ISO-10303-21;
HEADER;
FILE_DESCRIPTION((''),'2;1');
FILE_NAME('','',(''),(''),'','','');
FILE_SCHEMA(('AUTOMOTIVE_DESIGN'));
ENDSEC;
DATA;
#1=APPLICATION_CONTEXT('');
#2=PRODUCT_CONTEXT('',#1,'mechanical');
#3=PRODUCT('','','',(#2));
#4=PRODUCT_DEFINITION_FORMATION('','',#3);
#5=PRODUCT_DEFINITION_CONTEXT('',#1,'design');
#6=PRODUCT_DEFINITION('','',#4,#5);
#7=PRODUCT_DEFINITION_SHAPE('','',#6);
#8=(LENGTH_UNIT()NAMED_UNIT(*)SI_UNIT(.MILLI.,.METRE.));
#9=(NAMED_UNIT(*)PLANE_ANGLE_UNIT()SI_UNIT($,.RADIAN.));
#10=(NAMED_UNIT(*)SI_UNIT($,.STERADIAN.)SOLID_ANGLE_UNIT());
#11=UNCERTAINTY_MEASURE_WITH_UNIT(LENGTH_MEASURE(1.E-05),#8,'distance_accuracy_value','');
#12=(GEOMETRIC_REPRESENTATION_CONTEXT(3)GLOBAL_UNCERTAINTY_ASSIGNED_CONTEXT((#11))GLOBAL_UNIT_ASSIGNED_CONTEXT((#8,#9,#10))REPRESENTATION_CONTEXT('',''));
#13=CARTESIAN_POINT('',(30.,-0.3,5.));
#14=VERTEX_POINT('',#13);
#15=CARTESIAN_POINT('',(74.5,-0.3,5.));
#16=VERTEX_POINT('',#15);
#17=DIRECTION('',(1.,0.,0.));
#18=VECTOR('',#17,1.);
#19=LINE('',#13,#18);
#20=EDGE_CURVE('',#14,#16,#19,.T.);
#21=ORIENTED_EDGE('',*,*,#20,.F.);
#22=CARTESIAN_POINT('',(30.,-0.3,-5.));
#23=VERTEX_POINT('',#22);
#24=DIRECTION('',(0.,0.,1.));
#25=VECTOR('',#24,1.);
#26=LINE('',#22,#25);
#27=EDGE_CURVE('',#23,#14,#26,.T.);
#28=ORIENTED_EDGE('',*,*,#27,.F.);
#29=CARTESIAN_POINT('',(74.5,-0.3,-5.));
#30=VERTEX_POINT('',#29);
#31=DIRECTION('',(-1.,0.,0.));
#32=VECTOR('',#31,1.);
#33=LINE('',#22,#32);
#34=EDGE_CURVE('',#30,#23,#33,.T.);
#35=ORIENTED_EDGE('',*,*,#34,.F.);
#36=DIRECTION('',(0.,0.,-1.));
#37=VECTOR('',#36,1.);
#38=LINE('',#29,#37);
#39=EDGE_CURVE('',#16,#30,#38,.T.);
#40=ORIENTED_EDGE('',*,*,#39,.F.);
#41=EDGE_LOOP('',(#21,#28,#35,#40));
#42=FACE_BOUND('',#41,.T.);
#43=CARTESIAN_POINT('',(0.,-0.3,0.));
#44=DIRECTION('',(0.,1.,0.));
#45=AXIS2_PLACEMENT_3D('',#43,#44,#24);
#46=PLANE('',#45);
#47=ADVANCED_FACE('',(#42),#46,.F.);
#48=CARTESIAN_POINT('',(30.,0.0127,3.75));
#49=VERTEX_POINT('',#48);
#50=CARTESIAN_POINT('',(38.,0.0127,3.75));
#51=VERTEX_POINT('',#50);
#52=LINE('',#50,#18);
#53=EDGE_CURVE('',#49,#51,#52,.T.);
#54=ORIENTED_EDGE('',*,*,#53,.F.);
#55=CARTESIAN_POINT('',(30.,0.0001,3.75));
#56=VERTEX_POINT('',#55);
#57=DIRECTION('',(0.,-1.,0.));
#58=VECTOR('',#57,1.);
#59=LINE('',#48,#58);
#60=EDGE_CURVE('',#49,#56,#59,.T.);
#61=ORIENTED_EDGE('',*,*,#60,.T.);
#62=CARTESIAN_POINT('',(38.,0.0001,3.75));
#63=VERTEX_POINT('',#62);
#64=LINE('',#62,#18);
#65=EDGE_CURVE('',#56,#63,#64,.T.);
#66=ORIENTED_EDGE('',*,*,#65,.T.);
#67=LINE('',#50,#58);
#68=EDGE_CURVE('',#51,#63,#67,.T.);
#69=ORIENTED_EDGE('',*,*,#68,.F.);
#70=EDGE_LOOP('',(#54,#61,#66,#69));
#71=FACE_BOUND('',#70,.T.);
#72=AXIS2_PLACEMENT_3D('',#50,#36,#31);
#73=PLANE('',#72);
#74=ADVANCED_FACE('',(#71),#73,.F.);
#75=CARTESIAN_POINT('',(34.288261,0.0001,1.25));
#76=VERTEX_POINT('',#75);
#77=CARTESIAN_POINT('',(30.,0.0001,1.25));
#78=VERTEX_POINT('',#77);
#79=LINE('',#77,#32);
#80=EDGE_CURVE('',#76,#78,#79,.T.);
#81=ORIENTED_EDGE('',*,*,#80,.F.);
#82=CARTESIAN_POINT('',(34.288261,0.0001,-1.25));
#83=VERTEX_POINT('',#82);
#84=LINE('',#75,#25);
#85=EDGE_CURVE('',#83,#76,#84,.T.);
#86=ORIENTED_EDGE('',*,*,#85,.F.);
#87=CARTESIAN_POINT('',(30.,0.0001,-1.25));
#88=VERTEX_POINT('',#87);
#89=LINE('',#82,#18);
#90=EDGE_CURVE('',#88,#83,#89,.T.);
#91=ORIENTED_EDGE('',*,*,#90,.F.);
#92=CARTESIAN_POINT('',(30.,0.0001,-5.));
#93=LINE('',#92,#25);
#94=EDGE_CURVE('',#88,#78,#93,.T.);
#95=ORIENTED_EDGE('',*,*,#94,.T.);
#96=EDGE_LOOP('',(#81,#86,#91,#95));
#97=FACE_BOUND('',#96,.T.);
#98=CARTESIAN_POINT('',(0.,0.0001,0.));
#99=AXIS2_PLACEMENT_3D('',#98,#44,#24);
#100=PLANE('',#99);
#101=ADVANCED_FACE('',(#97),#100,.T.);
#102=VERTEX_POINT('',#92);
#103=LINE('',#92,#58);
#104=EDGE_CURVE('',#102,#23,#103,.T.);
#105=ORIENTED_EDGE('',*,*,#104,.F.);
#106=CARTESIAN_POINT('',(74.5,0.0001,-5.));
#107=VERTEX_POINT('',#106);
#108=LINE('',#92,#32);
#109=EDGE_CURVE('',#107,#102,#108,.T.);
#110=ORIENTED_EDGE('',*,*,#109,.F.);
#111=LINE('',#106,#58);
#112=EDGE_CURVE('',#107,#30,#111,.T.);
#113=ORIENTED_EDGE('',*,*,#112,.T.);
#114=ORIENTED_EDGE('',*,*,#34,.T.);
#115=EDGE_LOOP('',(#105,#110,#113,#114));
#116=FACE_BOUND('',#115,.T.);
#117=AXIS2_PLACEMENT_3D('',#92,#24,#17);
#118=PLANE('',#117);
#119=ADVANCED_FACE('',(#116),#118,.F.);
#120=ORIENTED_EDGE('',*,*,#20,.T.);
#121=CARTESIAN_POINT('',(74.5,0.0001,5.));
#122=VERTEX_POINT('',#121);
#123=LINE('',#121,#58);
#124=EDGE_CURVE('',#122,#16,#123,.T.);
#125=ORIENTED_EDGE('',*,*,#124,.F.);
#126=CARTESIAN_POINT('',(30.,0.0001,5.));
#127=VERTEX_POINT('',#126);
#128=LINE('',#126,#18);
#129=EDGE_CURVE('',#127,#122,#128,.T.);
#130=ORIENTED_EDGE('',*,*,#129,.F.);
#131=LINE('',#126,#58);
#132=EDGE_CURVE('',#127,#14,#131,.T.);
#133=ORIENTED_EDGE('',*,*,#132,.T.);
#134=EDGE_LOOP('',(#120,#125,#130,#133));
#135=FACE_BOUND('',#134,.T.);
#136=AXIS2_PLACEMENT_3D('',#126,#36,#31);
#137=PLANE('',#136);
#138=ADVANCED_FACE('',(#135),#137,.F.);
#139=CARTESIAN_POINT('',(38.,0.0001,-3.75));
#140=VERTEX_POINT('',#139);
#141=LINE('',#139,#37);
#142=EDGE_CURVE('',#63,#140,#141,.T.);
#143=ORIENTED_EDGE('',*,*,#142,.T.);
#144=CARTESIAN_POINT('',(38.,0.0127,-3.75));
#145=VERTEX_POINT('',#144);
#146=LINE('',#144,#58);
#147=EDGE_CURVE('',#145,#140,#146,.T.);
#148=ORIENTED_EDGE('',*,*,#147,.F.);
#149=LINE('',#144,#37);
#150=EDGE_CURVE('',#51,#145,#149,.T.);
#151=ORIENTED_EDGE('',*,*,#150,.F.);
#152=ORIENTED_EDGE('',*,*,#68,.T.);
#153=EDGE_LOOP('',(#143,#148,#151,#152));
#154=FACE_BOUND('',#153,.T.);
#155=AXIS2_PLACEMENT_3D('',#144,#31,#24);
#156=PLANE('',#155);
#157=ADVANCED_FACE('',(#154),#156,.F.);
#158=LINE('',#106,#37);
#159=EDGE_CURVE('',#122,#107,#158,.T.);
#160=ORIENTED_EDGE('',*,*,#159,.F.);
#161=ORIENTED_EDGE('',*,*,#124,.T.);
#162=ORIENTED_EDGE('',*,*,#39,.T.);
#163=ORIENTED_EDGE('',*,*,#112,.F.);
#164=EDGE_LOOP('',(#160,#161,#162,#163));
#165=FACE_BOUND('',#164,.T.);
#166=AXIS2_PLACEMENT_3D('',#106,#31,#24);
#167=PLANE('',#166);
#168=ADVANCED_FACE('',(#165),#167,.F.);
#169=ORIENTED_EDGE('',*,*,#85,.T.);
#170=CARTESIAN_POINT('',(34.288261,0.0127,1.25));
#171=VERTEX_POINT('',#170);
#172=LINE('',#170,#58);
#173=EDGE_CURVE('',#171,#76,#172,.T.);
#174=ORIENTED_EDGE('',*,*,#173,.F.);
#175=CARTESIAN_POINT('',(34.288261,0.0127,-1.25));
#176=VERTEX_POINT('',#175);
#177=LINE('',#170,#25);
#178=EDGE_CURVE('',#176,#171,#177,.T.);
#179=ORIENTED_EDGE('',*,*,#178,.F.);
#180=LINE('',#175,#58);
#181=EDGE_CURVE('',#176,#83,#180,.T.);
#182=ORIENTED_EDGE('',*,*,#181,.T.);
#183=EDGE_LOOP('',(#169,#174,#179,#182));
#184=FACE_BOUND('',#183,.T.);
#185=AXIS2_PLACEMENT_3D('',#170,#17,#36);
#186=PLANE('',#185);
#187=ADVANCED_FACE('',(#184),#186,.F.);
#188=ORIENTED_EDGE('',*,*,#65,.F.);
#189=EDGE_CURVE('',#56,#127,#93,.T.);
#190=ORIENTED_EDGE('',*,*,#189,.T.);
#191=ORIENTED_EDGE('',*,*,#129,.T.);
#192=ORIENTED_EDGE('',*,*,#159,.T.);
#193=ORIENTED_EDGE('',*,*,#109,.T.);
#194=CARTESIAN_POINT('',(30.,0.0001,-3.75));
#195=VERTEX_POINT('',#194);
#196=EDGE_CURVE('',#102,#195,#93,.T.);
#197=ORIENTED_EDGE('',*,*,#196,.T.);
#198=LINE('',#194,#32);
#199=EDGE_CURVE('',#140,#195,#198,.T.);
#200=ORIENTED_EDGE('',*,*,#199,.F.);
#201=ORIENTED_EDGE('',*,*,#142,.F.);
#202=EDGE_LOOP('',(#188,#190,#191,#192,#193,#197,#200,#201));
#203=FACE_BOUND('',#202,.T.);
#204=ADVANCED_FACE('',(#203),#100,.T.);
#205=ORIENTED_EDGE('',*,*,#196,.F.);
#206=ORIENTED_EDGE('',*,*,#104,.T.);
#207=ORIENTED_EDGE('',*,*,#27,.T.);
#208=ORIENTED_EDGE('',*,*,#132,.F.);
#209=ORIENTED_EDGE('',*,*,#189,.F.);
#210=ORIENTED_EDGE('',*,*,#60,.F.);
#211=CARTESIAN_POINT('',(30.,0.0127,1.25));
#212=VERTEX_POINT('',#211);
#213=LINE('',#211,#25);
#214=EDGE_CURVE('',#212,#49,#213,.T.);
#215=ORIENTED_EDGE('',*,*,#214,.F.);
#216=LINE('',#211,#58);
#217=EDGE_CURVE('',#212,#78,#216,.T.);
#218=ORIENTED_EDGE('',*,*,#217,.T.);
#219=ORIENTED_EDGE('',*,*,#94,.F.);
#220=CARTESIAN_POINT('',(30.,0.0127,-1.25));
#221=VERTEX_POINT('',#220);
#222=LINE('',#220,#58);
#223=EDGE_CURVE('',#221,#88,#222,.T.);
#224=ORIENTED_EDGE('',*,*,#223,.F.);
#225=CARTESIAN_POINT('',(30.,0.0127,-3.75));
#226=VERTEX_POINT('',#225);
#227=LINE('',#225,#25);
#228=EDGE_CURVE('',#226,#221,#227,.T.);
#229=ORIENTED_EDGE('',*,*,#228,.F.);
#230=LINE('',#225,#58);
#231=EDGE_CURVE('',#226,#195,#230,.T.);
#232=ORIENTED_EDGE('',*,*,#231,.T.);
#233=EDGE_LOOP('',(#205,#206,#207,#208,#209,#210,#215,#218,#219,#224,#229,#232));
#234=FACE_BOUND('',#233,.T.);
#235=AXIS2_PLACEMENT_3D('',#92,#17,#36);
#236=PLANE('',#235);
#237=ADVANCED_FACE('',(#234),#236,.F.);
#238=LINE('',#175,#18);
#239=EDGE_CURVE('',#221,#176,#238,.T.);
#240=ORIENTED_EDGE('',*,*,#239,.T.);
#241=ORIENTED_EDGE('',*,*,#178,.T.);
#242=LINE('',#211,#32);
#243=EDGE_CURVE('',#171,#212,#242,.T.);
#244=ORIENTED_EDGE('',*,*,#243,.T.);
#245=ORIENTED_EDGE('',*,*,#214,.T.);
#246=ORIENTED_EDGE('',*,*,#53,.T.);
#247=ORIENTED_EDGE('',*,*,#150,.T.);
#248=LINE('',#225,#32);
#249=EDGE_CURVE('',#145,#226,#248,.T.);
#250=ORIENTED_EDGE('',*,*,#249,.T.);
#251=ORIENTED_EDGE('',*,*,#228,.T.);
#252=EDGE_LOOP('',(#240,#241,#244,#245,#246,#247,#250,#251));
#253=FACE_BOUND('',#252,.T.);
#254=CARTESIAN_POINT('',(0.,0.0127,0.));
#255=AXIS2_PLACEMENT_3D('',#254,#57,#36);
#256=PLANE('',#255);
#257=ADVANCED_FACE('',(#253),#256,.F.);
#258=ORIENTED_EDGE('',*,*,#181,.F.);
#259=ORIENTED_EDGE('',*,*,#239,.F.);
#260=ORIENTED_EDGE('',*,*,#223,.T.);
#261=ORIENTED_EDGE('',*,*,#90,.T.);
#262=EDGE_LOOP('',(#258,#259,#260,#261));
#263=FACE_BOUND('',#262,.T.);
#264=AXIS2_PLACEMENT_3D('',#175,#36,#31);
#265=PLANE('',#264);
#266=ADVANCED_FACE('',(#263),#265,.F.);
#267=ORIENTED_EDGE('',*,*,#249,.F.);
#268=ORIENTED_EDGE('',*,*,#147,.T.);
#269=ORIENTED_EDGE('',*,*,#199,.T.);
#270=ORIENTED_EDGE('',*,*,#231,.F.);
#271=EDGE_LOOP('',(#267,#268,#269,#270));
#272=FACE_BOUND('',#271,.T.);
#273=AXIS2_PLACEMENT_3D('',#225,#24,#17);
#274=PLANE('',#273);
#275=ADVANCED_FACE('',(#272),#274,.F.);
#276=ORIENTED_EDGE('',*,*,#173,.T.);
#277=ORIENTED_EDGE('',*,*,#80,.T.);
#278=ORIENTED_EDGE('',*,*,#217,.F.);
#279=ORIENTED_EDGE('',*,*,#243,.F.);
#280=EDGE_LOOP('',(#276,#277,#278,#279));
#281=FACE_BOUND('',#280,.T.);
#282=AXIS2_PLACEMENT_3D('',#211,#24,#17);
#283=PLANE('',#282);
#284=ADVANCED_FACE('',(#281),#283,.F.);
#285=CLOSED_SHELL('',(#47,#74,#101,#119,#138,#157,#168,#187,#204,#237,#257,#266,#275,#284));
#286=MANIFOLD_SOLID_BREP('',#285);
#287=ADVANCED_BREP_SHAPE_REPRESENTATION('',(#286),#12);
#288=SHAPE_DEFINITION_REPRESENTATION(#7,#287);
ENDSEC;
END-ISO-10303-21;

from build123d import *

# Parameters (mm, degrees)
BOSS_EXTRUDE1_DEPTH      = 0.0001
BOSS_EXTRUDE1_DEPTH_BACK = 0.3
SKETCH1_W                = 44.5
SKETCH1_H                = 10
BOSS_EXTRUDE3_DEPTH      = 0.0126


with BuildPart() as part:
    # Sketch1 → Boss-Extrude1 (new, two sides: drawn at the far end of the back side and taken through both)
    with BuildSketch(Plane(origin=(0, 0, 0), x_dir=(1, 0, 0), z_dir=(0, 1, 0)).offset(-BOSS_EXTRUDE1_DEPTH_BACK)):
        with Locations((52.25, 0)):
            Rectangle(SKETCH1_W, SKETCH1_H)
    extrude(amount=BOSS_EXTRUDE1_DEPTH + BOSS_EXTRUDE1_DEPTH_BACK)

    # Sketch2 → Boss-Extrude3 (add)
    with BuildSketch(Plane(origin=(0, 0.0001, 0), x_dir=(1, 0, 0), z_dir=(0, 1, 0))):
        Polygon((30, 3.75), (38, 3.75), (38, -3.75), (30, -3.75), (30, -1.25), (34.288261115, -1.25), (34.288261115, 1.25), (30, 1.25), align=None)
    extrude(amount=BOSS_EXTRUDE3_DEPTH)


solid = part.part
